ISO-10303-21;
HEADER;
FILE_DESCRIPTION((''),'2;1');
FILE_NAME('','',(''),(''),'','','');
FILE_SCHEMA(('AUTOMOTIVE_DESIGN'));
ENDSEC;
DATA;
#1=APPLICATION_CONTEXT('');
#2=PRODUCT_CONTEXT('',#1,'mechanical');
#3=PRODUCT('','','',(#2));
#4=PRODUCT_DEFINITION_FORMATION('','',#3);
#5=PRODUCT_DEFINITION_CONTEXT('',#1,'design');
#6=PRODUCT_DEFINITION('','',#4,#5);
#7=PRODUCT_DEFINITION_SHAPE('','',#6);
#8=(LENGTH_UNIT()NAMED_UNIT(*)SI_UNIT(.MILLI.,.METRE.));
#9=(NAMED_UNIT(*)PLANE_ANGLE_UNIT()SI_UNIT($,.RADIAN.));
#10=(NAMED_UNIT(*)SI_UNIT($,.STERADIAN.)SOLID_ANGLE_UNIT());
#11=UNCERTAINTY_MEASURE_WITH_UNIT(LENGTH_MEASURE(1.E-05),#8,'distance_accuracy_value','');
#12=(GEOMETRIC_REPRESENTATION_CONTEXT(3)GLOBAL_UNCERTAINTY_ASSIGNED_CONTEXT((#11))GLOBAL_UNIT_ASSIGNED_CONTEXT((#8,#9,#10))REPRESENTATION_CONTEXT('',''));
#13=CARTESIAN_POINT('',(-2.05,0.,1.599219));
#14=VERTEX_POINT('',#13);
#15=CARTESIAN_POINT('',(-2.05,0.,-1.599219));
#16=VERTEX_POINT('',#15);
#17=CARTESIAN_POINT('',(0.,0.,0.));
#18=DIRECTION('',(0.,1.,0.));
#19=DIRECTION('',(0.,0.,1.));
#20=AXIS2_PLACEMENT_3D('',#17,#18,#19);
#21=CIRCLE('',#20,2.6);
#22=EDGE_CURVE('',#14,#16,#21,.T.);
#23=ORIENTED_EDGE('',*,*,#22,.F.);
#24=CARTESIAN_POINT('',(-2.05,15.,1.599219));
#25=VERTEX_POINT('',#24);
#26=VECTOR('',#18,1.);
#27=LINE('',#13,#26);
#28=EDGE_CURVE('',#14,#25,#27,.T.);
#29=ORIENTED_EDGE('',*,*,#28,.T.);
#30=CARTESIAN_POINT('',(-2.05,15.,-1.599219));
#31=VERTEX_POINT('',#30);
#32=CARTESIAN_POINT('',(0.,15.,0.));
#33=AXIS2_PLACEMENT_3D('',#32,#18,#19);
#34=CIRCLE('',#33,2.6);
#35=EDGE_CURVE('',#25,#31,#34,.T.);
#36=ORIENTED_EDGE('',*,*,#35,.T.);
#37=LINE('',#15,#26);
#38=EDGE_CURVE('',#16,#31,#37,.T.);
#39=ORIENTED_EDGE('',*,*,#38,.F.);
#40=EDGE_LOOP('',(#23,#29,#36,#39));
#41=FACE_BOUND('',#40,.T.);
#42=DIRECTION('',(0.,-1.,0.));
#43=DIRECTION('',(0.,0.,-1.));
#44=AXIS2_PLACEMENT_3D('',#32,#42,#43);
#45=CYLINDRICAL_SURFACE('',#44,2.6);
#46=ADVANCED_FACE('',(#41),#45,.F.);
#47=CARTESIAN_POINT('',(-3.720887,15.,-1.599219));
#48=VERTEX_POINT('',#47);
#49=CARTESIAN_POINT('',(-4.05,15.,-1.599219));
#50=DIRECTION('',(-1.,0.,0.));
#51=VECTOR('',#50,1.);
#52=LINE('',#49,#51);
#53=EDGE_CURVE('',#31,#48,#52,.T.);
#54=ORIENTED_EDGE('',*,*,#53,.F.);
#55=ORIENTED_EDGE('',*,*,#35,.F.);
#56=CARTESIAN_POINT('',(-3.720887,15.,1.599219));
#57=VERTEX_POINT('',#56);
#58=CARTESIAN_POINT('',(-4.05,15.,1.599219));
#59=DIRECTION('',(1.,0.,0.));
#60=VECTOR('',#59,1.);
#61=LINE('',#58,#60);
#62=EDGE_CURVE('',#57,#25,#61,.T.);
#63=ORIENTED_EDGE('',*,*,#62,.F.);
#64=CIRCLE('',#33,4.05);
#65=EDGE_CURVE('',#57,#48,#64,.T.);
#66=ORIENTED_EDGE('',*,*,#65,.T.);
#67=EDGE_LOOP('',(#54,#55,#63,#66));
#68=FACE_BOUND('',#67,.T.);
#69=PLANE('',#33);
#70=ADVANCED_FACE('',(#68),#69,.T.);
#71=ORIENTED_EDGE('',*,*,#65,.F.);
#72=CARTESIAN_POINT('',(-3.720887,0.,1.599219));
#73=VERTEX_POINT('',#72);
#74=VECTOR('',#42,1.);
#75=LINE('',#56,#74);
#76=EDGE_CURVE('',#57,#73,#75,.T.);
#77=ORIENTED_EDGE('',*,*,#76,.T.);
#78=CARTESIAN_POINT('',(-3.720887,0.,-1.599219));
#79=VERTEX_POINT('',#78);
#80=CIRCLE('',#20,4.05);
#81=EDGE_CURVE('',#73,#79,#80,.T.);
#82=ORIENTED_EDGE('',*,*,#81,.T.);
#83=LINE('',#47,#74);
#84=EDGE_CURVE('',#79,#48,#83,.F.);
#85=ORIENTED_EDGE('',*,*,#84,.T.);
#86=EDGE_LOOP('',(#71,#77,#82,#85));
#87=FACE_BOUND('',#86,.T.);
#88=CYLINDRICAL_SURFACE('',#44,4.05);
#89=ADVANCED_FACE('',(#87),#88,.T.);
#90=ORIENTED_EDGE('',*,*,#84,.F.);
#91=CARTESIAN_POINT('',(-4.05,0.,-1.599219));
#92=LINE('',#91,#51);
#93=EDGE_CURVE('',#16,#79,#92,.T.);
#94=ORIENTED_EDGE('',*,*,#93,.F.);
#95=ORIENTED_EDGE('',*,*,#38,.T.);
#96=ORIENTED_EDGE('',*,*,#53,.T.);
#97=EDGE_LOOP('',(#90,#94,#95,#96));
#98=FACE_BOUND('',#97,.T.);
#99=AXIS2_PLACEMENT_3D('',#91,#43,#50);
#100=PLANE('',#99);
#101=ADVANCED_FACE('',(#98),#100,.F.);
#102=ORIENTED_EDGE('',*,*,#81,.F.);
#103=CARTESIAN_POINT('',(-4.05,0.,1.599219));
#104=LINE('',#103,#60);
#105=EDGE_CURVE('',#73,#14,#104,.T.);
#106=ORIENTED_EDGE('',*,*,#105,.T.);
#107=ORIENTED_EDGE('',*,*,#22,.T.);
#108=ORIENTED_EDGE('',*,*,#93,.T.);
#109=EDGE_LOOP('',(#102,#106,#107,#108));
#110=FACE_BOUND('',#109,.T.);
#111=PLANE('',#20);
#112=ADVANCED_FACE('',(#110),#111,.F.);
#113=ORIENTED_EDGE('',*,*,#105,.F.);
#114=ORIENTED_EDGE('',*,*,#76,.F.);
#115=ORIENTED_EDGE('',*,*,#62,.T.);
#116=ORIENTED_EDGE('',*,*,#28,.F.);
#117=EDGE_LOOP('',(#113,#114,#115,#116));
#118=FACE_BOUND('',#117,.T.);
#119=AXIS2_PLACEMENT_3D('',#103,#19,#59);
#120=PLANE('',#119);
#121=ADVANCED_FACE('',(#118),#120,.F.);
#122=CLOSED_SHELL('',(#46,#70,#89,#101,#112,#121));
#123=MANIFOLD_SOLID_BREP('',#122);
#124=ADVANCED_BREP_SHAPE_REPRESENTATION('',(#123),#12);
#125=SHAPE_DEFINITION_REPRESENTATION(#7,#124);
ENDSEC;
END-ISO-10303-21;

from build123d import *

# Parameters (mm, degrees)
SKETCH_1_R          = 4.05
SKETCH_1_R_2        = 2.6
EXTRUDE_1_DEPTH     = 15
SKETCH_2_W          = 2
SKETCH_2_H          = 3.198437118
CUT_EXTRUDE_1_DEPTH = 15


with BuildPart() as part:
    # 草圖1 → 填料-伸長1 (new body)
    with BuildSketch(Plane(origin=(0, 0, 0), x_dir=(1, 0, 0), z_dir=(0, 1, 0))):
        Circle(SKETCH_1_R)
        Circle(SKETCH_1_R_2, mode=Mode.SUBTRACT)
    extrude(amount=EXTRUDE_1_DEPTH)

    # 草圖2 → 除料-伸長1 (cut)
    with BuildSketch(Plane(origin=(0, 15, 0), x_dir=(1, 0, 0), z_dir=(0, 1, 0))):
        with Locations((-3.05, 0)):
            Rectangle(SKETCH_2_W, SKETCH_2_H)
    extrude(amount=-CUT_EXTRUDE_1_DEPTH, mode=Mode.SUBTRACT)


solid = part.part
